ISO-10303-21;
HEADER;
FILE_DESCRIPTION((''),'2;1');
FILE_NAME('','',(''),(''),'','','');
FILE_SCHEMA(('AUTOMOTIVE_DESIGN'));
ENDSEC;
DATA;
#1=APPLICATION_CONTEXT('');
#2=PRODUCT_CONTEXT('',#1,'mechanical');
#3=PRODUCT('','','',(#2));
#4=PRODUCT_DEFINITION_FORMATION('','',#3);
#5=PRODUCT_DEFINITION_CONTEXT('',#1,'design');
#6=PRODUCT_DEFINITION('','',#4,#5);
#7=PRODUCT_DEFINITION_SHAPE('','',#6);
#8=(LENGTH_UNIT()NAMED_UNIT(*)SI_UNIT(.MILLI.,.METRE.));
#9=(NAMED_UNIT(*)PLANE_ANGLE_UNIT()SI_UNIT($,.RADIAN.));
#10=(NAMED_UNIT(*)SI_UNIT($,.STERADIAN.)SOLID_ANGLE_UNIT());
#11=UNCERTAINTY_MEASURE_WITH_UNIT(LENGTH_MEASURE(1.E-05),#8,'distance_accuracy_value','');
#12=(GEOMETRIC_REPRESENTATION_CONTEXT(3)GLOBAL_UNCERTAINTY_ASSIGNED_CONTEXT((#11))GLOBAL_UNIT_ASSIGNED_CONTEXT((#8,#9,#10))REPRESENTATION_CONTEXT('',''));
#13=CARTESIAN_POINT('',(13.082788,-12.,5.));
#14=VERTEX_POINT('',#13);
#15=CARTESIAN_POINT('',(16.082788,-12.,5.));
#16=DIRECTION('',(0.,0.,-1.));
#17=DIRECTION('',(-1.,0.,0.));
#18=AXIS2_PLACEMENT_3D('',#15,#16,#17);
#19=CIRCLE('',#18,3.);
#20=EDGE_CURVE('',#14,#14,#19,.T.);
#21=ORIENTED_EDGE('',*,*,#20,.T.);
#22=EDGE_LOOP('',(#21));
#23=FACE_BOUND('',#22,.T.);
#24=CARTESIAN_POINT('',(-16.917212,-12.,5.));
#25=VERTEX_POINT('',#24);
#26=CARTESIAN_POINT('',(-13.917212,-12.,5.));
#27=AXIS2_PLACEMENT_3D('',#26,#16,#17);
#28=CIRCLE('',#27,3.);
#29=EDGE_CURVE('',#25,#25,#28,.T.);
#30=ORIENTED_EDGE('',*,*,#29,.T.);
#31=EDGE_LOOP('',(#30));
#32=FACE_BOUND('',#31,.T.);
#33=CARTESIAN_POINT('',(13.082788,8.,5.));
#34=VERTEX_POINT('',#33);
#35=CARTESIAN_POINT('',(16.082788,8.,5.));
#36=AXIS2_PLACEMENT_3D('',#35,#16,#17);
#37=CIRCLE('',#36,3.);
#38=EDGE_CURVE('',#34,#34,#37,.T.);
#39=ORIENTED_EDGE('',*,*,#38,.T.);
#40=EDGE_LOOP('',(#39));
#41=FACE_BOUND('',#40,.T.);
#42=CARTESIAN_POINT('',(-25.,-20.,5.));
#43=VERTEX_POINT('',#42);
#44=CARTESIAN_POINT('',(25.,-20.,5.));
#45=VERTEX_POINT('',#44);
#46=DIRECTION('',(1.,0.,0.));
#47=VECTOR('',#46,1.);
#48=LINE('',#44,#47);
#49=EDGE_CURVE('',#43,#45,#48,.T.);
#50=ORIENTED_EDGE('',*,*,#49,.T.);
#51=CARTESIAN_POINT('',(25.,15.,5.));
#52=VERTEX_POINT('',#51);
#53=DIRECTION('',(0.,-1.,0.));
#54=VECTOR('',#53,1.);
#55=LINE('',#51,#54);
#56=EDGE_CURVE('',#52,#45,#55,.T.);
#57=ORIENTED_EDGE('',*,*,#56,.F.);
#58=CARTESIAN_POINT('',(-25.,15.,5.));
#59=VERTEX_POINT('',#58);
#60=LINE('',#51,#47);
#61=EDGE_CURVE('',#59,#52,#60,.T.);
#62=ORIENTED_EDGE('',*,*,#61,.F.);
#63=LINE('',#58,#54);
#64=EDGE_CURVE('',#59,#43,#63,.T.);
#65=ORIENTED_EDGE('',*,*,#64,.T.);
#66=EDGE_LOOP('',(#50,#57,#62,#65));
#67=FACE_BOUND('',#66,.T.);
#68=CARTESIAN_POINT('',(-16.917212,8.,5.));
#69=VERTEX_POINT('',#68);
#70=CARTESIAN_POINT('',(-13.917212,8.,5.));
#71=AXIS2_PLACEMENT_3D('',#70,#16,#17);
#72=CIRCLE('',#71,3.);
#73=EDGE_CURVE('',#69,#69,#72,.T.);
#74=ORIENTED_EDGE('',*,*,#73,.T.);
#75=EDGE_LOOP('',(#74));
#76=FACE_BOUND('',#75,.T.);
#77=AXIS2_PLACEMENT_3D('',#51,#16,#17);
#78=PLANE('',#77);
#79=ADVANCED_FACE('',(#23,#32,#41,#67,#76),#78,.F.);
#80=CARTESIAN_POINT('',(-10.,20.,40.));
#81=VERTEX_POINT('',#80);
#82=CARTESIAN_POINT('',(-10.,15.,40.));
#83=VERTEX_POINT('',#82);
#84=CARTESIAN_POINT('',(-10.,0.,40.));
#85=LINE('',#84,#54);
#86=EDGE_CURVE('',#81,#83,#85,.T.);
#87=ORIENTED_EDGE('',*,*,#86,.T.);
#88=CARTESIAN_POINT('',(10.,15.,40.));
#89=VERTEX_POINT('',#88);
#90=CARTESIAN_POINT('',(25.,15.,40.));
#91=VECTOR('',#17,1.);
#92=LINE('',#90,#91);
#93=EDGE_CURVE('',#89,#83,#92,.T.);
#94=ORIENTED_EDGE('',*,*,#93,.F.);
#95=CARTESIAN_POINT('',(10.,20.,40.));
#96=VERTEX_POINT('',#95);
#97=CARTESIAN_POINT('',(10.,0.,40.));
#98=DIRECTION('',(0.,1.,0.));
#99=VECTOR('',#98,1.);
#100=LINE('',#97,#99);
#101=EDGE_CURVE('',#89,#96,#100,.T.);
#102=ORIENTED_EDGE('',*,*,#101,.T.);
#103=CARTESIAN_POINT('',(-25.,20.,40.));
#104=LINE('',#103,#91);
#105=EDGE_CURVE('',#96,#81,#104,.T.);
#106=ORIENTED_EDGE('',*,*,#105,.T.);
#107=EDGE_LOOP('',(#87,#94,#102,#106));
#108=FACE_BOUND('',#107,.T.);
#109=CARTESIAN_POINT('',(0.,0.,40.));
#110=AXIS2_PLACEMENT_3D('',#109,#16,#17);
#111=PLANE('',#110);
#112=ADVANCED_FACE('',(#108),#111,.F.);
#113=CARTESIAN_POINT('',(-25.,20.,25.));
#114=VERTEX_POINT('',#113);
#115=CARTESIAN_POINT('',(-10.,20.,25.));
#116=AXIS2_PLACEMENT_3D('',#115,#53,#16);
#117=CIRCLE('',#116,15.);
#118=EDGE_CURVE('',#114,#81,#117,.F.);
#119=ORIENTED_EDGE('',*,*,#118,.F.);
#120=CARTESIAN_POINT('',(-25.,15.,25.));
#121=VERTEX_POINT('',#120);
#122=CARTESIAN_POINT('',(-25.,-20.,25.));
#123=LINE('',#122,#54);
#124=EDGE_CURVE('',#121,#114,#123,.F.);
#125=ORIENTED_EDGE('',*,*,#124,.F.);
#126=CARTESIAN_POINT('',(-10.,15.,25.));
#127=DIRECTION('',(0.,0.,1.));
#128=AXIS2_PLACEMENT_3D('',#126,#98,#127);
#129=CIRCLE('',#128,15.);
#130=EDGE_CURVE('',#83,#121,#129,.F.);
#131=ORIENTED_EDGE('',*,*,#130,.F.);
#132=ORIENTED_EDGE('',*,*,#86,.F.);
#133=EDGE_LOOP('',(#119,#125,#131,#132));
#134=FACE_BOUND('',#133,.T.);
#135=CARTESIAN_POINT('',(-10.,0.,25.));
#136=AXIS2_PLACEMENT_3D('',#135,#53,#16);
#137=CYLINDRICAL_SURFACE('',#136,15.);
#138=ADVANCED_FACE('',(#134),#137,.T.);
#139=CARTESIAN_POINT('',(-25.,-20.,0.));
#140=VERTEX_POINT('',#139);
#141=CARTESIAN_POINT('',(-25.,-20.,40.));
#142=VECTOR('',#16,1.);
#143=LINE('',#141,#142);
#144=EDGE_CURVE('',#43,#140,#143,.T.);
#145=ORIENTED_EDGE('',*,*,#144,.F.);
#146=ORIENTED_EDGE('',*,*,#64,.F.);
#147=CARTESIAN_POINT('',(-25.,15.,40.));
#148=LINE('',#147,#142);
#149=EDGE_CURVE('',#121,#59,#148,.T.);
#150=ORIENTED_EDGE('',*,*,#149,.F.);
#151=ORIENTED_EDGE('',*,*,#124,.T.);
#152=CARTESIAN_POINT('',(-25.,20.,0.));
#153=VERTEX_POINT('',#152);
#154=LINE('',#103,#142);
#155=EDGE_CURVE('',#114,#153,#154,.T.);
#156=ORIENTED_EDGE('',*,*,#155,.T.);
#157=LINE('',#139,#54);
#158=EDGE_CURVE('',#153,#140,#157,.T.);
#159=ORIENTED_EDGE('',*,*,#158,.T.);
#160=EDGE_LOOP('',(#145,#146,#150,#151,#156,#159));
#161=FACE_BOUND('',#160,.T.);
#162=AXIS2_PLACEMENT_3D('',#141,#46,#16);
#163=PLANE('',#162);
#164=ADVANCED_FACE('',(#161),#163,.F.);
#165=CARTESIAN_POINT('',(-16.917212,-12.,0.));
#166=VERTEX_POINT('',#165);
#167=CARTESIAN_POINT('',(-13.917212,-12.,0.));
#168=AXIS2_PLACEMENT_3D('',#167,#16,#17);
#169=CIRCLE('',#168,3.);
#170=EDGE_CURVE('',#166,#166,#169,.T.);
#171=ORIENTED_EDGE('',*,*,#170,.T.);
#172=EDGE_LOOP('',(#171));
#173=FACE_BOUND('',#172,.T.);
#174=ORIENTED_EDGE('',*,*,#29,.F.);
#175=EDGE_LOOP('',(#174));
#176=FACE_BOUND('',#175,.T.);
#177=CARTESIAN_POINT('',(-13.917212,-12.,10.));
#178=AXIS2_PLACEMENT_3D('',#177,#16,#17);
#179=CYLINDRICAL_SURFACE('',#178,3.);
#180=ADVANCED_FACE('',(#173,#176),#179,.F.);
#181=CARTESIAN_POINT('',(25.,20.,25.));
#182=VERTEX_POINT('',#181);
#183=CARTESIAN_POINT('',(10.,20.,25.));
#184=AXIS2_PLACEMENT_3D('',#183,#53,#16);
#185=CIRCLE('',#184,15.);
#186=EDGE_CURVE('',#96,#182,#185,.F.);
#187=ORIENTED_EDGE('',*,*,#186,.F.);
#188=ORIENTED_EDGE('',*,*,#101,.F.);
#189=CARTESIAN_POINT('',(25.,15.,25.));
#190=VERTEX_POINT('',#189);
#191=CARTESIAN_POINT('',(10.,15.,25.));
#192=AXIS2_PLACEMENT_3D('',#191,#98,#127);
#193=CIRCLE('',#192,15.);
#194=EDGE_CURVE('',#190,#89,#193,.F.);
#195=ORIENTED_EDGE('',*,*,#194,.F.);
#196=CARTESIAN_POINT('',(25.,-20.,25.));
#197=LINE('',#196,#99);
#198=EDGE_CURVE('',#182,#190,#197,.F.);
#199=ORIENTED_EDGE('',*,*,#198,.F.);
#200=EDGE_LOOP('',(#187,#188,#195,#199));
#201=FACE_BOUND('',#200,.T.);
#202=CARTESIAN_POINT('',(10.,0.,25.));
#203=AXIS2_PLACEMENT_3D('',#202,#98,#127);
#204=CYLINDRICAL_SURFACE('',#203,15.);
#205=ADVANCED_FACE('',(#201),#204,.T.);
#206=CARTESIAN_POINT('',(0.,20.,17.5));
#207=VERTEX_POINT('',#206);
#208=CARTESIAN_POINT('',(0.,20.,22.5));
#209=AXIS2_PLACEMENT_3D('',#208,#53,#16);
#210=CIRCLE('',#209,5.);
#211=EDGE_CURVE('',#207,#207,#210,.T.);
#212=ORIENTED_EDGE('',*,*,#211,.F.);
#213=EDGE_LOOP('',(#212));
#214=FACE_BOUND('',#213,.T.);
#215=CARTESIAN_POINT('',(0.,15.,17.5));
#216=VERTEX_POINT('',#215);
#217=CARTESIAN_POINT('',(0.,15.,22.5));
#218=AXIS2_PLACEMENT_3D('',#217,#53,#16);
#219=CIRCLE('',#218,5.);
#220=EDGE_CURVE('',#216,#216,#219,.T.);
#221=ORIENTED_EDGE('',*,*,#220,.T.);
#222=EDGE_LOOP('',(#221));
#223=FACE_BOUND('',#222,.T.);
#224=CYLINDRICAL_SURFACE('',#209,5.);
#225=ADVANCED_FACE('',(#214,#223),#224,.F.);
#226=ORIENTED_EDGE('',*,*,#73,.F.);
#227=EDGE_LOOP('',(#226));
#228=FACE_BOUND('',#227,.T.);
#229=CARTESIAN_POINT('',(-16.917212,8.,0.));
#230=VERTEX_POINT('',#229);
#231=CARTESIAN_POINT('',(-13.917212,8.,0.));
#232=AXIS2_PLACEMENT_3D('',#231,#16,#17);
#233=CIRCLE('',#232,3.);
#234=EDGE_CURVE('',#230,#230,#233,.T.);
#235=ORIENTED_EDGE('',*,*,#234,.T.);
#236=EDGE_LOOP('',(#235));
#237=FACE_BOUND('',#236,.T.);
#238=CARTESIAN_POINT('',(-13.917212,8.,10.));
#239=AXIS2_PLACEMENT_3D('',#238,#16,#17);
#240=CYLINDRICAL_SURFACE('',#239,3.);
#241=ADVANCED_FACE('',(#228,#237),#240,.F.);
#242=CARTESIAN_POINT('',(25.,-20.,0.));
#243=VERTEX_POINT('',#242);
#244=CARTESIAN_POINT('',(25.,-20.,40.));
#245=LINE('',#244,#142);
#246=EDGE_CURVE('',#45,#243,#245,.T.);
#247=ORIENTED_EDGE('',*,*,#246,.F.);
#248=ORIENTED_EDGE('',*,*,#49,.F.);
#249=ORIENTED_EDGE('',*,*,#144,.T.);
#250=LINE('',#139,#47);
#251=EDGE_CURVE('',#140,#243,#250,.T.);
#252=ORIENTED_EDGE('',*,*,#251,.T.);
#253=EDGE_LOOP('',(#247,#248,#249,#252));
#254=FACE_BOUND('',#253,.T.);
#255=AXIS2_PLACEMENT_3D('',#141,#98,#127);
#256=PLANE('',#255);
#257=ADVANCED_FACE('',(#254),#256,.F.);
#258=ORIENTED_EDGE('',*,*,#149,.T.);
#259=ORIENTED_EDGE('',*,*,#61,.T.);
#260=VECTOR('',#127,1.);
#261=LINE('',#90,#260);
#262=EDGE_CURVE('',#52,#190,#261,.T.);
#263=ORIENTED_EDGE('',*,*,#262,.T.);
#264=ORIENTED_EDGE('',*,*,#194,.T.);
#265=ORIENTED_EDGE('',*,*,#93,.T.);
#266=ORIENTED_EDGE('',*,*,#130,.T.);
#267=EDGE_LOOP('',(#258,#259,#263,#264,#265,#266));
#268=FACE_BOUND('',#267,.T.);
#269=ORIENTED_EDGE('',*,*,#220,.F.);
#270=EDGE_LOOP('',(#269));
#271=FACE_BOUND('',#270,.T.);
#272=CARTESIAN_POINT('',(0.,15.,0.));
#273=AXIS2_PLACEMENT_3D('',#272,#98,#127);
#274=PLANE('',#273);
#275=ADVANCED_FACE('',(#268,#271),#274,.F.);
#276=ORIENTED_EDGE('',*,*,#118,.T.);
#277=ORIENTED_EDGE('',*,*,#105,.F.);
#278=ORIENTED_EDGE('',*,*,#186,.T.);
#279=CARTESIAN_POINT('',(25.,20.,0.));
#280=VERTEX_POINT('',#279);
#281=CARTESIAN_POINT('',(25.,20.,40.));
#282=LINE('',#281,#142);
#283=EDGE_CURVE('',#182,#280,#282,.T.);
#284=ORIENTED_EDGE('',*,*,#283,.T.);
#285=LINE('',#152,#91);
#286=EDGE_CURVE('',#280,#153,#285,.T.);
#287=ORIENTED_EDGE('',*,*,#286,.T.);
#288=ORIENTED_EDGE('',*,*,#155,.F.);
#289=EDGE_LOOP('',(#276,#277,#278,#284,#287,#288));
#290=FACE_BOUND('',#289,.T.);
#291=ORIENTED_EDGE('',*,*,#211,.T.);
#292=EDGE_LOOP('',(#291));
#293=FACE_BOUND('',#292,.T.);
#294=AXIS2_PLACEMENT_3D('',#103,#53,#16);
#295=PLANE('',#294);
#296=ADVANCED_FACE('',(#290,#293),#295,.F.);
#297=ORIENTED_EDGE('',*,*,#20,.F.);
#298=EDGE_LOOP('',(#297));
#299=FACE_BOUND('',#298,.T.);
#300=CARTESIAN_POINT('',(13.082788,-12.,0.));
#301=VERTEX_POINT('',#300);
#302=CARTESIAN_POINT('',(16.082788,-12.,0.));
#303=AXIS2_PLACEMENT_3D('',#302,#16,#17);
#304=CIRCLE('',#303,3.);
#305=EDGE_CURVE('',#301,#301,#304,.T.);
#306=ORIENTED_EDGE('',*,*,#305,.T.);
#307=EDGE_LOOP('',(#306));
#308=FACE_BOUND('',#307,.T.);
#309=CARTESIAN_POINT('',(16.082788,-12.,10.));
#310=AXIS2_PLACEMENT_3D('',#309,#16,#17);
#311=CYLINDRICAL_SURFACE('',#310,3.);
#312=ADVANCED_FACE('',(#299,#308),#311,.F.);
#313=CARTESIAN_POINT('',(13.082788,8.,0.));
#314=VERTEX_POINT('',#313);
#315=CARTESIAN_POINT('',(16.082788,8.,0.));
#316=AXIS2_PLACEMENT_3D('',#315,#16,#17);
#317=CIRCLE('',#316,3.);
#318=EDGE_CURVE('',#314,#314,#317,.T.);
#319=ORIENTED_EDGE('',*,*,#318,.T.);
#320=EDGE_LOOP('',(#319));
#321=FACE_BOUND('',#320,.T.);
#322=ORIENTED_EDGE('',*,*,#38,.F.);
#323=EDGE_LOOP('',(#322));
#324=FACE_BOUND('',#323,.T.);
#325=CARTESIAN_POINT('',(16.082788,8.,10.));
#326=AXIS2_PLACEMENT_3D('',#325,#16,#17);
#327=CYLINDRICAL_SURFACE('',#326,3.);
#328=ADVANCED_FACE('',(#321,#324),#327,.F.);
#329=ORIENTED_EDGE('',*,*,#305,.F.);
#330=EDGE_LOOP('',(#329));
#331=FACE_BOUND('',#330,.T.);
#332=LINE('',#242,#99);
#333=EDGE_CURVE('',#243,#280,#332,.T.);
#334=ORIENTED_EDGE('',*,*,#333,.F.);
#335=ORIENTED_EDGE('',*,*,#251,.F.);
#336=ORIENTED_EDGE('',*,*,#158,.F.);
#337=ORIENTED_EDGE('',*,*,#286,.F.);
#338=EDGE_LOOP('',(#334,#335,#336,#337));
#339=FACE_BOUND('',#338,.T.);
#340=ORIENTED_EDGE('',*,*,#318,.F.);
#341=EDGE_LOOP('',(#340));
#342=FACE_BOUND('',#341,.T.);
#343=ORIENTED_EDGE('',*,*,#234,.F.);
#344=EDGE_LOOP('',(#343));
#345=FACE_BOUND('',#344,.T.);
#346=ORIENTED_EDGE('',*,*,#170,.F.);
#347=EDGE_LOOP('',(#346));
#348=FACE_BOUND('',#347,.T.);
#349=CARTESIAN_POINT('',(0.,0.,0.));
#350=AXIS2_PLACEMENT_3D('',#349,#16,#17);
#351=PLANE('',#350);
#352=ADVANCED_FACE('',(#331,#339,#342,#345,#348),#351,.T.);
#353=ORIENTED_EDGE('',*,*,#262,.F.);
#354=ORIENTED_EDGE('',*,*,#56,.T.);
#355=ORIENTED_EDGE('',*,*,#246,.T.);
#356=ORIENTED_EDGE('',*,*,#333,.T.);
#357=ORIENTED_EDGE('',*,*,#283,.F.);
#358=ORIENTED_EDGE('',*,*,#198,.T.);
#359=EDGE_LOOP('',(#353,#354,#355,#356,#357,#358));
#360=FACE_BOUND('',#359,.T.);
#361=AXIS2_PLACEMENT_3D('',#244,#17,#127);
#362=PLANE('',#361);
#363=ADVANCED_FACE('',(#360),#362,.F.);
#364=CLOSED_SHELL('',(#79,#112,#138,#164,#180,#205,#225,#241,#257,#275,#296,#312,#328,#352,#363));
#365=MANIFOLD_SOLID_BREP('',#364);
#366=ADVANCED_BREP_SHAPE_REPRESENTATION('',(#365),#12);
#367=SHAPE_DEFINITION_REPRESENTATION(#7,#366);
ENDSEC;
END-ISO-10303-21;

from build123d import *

# Parameters (mm, degrees)
SKETCH1_W           = 50
SKETCH1_H           = 40
BOSS_EXTRUDE1_DEPTH = 40
SKETCH5_W           = 50
SKETCH5_H           = 35
CUT_EXTRUDE1_DEPTH  = 35
SKETCH6_R           = 5
CUT_EXTRUDE2_DEPTH  = 6
SKETCH2_R           = 3
CUT_EXTRUDE3_DEPTH  = 10
FILLET1_R           = 15


with BuildPart() as part:
    # Sketch1 → Boss-Extrude1 (new body)
    with BuildSketch(Plane.XY):
        Rectangle(SKETCH1_W, SKETCH1_H)
    extrude(amount=BOSS_EXTRUDE1_DEPTH)

    # Sketch5 → Cut-Extrude1 (cut)
    with BuildSketch(Plane.XZ.offset(20)):
        with Locations((0, 22.5)):
            Rectangle(SKETCH5_W, SKETCH5_H)
    extrude(amount=-CUT_EXTRUDE1_DEPTH, mode=Mode.SUBTRACT)

    # Sketch6 → Cut-Extrude2 (cut, through all)
    with BuildSketch(Plane.XZ.offset(-15)):
        with Locations(Location((0, 22.5, 0), (0, 0, 270))):  # turned: the seam where the file's is
            Circle(SKETCH6_R)
    extrude(amount=-CUT_EXTRUDE2_DEPTH, mode=Mode.SUBTRACT)

    # Sketch2 → Cut-Extrude3 (cut)
    with BuildSketch(Plane(origin=(0, 0, 0), x_dir=(-1, 0, 0), z_dir=(0, 0, -1))):
        with Locations((13.917211686, -12)):
            Circle(SKETCH2_R)
        with Locations((-16.082788314, -12)):
            Circle(SKETCH2_R)
        with Locations((-16.082788314, 8)):
            Circle(SKETCH2_R)
        with Locations((13.917211686, 8)):
            Circle(SKETCH2_R)
    extrude(amount=-CUT_EXTRUDE3_DEPTH, mode=Mode.SUBTRACT)

    # Fillet1
    fillet1_edges = [part.edges().sort_by_distance(p)[0] for p in [
        (-25, 17.5, 40),
        (25, 17.5, 40),
    ]]
    fillet(fillet1_edges, radius=FILLET1_R)


solid = part.part
